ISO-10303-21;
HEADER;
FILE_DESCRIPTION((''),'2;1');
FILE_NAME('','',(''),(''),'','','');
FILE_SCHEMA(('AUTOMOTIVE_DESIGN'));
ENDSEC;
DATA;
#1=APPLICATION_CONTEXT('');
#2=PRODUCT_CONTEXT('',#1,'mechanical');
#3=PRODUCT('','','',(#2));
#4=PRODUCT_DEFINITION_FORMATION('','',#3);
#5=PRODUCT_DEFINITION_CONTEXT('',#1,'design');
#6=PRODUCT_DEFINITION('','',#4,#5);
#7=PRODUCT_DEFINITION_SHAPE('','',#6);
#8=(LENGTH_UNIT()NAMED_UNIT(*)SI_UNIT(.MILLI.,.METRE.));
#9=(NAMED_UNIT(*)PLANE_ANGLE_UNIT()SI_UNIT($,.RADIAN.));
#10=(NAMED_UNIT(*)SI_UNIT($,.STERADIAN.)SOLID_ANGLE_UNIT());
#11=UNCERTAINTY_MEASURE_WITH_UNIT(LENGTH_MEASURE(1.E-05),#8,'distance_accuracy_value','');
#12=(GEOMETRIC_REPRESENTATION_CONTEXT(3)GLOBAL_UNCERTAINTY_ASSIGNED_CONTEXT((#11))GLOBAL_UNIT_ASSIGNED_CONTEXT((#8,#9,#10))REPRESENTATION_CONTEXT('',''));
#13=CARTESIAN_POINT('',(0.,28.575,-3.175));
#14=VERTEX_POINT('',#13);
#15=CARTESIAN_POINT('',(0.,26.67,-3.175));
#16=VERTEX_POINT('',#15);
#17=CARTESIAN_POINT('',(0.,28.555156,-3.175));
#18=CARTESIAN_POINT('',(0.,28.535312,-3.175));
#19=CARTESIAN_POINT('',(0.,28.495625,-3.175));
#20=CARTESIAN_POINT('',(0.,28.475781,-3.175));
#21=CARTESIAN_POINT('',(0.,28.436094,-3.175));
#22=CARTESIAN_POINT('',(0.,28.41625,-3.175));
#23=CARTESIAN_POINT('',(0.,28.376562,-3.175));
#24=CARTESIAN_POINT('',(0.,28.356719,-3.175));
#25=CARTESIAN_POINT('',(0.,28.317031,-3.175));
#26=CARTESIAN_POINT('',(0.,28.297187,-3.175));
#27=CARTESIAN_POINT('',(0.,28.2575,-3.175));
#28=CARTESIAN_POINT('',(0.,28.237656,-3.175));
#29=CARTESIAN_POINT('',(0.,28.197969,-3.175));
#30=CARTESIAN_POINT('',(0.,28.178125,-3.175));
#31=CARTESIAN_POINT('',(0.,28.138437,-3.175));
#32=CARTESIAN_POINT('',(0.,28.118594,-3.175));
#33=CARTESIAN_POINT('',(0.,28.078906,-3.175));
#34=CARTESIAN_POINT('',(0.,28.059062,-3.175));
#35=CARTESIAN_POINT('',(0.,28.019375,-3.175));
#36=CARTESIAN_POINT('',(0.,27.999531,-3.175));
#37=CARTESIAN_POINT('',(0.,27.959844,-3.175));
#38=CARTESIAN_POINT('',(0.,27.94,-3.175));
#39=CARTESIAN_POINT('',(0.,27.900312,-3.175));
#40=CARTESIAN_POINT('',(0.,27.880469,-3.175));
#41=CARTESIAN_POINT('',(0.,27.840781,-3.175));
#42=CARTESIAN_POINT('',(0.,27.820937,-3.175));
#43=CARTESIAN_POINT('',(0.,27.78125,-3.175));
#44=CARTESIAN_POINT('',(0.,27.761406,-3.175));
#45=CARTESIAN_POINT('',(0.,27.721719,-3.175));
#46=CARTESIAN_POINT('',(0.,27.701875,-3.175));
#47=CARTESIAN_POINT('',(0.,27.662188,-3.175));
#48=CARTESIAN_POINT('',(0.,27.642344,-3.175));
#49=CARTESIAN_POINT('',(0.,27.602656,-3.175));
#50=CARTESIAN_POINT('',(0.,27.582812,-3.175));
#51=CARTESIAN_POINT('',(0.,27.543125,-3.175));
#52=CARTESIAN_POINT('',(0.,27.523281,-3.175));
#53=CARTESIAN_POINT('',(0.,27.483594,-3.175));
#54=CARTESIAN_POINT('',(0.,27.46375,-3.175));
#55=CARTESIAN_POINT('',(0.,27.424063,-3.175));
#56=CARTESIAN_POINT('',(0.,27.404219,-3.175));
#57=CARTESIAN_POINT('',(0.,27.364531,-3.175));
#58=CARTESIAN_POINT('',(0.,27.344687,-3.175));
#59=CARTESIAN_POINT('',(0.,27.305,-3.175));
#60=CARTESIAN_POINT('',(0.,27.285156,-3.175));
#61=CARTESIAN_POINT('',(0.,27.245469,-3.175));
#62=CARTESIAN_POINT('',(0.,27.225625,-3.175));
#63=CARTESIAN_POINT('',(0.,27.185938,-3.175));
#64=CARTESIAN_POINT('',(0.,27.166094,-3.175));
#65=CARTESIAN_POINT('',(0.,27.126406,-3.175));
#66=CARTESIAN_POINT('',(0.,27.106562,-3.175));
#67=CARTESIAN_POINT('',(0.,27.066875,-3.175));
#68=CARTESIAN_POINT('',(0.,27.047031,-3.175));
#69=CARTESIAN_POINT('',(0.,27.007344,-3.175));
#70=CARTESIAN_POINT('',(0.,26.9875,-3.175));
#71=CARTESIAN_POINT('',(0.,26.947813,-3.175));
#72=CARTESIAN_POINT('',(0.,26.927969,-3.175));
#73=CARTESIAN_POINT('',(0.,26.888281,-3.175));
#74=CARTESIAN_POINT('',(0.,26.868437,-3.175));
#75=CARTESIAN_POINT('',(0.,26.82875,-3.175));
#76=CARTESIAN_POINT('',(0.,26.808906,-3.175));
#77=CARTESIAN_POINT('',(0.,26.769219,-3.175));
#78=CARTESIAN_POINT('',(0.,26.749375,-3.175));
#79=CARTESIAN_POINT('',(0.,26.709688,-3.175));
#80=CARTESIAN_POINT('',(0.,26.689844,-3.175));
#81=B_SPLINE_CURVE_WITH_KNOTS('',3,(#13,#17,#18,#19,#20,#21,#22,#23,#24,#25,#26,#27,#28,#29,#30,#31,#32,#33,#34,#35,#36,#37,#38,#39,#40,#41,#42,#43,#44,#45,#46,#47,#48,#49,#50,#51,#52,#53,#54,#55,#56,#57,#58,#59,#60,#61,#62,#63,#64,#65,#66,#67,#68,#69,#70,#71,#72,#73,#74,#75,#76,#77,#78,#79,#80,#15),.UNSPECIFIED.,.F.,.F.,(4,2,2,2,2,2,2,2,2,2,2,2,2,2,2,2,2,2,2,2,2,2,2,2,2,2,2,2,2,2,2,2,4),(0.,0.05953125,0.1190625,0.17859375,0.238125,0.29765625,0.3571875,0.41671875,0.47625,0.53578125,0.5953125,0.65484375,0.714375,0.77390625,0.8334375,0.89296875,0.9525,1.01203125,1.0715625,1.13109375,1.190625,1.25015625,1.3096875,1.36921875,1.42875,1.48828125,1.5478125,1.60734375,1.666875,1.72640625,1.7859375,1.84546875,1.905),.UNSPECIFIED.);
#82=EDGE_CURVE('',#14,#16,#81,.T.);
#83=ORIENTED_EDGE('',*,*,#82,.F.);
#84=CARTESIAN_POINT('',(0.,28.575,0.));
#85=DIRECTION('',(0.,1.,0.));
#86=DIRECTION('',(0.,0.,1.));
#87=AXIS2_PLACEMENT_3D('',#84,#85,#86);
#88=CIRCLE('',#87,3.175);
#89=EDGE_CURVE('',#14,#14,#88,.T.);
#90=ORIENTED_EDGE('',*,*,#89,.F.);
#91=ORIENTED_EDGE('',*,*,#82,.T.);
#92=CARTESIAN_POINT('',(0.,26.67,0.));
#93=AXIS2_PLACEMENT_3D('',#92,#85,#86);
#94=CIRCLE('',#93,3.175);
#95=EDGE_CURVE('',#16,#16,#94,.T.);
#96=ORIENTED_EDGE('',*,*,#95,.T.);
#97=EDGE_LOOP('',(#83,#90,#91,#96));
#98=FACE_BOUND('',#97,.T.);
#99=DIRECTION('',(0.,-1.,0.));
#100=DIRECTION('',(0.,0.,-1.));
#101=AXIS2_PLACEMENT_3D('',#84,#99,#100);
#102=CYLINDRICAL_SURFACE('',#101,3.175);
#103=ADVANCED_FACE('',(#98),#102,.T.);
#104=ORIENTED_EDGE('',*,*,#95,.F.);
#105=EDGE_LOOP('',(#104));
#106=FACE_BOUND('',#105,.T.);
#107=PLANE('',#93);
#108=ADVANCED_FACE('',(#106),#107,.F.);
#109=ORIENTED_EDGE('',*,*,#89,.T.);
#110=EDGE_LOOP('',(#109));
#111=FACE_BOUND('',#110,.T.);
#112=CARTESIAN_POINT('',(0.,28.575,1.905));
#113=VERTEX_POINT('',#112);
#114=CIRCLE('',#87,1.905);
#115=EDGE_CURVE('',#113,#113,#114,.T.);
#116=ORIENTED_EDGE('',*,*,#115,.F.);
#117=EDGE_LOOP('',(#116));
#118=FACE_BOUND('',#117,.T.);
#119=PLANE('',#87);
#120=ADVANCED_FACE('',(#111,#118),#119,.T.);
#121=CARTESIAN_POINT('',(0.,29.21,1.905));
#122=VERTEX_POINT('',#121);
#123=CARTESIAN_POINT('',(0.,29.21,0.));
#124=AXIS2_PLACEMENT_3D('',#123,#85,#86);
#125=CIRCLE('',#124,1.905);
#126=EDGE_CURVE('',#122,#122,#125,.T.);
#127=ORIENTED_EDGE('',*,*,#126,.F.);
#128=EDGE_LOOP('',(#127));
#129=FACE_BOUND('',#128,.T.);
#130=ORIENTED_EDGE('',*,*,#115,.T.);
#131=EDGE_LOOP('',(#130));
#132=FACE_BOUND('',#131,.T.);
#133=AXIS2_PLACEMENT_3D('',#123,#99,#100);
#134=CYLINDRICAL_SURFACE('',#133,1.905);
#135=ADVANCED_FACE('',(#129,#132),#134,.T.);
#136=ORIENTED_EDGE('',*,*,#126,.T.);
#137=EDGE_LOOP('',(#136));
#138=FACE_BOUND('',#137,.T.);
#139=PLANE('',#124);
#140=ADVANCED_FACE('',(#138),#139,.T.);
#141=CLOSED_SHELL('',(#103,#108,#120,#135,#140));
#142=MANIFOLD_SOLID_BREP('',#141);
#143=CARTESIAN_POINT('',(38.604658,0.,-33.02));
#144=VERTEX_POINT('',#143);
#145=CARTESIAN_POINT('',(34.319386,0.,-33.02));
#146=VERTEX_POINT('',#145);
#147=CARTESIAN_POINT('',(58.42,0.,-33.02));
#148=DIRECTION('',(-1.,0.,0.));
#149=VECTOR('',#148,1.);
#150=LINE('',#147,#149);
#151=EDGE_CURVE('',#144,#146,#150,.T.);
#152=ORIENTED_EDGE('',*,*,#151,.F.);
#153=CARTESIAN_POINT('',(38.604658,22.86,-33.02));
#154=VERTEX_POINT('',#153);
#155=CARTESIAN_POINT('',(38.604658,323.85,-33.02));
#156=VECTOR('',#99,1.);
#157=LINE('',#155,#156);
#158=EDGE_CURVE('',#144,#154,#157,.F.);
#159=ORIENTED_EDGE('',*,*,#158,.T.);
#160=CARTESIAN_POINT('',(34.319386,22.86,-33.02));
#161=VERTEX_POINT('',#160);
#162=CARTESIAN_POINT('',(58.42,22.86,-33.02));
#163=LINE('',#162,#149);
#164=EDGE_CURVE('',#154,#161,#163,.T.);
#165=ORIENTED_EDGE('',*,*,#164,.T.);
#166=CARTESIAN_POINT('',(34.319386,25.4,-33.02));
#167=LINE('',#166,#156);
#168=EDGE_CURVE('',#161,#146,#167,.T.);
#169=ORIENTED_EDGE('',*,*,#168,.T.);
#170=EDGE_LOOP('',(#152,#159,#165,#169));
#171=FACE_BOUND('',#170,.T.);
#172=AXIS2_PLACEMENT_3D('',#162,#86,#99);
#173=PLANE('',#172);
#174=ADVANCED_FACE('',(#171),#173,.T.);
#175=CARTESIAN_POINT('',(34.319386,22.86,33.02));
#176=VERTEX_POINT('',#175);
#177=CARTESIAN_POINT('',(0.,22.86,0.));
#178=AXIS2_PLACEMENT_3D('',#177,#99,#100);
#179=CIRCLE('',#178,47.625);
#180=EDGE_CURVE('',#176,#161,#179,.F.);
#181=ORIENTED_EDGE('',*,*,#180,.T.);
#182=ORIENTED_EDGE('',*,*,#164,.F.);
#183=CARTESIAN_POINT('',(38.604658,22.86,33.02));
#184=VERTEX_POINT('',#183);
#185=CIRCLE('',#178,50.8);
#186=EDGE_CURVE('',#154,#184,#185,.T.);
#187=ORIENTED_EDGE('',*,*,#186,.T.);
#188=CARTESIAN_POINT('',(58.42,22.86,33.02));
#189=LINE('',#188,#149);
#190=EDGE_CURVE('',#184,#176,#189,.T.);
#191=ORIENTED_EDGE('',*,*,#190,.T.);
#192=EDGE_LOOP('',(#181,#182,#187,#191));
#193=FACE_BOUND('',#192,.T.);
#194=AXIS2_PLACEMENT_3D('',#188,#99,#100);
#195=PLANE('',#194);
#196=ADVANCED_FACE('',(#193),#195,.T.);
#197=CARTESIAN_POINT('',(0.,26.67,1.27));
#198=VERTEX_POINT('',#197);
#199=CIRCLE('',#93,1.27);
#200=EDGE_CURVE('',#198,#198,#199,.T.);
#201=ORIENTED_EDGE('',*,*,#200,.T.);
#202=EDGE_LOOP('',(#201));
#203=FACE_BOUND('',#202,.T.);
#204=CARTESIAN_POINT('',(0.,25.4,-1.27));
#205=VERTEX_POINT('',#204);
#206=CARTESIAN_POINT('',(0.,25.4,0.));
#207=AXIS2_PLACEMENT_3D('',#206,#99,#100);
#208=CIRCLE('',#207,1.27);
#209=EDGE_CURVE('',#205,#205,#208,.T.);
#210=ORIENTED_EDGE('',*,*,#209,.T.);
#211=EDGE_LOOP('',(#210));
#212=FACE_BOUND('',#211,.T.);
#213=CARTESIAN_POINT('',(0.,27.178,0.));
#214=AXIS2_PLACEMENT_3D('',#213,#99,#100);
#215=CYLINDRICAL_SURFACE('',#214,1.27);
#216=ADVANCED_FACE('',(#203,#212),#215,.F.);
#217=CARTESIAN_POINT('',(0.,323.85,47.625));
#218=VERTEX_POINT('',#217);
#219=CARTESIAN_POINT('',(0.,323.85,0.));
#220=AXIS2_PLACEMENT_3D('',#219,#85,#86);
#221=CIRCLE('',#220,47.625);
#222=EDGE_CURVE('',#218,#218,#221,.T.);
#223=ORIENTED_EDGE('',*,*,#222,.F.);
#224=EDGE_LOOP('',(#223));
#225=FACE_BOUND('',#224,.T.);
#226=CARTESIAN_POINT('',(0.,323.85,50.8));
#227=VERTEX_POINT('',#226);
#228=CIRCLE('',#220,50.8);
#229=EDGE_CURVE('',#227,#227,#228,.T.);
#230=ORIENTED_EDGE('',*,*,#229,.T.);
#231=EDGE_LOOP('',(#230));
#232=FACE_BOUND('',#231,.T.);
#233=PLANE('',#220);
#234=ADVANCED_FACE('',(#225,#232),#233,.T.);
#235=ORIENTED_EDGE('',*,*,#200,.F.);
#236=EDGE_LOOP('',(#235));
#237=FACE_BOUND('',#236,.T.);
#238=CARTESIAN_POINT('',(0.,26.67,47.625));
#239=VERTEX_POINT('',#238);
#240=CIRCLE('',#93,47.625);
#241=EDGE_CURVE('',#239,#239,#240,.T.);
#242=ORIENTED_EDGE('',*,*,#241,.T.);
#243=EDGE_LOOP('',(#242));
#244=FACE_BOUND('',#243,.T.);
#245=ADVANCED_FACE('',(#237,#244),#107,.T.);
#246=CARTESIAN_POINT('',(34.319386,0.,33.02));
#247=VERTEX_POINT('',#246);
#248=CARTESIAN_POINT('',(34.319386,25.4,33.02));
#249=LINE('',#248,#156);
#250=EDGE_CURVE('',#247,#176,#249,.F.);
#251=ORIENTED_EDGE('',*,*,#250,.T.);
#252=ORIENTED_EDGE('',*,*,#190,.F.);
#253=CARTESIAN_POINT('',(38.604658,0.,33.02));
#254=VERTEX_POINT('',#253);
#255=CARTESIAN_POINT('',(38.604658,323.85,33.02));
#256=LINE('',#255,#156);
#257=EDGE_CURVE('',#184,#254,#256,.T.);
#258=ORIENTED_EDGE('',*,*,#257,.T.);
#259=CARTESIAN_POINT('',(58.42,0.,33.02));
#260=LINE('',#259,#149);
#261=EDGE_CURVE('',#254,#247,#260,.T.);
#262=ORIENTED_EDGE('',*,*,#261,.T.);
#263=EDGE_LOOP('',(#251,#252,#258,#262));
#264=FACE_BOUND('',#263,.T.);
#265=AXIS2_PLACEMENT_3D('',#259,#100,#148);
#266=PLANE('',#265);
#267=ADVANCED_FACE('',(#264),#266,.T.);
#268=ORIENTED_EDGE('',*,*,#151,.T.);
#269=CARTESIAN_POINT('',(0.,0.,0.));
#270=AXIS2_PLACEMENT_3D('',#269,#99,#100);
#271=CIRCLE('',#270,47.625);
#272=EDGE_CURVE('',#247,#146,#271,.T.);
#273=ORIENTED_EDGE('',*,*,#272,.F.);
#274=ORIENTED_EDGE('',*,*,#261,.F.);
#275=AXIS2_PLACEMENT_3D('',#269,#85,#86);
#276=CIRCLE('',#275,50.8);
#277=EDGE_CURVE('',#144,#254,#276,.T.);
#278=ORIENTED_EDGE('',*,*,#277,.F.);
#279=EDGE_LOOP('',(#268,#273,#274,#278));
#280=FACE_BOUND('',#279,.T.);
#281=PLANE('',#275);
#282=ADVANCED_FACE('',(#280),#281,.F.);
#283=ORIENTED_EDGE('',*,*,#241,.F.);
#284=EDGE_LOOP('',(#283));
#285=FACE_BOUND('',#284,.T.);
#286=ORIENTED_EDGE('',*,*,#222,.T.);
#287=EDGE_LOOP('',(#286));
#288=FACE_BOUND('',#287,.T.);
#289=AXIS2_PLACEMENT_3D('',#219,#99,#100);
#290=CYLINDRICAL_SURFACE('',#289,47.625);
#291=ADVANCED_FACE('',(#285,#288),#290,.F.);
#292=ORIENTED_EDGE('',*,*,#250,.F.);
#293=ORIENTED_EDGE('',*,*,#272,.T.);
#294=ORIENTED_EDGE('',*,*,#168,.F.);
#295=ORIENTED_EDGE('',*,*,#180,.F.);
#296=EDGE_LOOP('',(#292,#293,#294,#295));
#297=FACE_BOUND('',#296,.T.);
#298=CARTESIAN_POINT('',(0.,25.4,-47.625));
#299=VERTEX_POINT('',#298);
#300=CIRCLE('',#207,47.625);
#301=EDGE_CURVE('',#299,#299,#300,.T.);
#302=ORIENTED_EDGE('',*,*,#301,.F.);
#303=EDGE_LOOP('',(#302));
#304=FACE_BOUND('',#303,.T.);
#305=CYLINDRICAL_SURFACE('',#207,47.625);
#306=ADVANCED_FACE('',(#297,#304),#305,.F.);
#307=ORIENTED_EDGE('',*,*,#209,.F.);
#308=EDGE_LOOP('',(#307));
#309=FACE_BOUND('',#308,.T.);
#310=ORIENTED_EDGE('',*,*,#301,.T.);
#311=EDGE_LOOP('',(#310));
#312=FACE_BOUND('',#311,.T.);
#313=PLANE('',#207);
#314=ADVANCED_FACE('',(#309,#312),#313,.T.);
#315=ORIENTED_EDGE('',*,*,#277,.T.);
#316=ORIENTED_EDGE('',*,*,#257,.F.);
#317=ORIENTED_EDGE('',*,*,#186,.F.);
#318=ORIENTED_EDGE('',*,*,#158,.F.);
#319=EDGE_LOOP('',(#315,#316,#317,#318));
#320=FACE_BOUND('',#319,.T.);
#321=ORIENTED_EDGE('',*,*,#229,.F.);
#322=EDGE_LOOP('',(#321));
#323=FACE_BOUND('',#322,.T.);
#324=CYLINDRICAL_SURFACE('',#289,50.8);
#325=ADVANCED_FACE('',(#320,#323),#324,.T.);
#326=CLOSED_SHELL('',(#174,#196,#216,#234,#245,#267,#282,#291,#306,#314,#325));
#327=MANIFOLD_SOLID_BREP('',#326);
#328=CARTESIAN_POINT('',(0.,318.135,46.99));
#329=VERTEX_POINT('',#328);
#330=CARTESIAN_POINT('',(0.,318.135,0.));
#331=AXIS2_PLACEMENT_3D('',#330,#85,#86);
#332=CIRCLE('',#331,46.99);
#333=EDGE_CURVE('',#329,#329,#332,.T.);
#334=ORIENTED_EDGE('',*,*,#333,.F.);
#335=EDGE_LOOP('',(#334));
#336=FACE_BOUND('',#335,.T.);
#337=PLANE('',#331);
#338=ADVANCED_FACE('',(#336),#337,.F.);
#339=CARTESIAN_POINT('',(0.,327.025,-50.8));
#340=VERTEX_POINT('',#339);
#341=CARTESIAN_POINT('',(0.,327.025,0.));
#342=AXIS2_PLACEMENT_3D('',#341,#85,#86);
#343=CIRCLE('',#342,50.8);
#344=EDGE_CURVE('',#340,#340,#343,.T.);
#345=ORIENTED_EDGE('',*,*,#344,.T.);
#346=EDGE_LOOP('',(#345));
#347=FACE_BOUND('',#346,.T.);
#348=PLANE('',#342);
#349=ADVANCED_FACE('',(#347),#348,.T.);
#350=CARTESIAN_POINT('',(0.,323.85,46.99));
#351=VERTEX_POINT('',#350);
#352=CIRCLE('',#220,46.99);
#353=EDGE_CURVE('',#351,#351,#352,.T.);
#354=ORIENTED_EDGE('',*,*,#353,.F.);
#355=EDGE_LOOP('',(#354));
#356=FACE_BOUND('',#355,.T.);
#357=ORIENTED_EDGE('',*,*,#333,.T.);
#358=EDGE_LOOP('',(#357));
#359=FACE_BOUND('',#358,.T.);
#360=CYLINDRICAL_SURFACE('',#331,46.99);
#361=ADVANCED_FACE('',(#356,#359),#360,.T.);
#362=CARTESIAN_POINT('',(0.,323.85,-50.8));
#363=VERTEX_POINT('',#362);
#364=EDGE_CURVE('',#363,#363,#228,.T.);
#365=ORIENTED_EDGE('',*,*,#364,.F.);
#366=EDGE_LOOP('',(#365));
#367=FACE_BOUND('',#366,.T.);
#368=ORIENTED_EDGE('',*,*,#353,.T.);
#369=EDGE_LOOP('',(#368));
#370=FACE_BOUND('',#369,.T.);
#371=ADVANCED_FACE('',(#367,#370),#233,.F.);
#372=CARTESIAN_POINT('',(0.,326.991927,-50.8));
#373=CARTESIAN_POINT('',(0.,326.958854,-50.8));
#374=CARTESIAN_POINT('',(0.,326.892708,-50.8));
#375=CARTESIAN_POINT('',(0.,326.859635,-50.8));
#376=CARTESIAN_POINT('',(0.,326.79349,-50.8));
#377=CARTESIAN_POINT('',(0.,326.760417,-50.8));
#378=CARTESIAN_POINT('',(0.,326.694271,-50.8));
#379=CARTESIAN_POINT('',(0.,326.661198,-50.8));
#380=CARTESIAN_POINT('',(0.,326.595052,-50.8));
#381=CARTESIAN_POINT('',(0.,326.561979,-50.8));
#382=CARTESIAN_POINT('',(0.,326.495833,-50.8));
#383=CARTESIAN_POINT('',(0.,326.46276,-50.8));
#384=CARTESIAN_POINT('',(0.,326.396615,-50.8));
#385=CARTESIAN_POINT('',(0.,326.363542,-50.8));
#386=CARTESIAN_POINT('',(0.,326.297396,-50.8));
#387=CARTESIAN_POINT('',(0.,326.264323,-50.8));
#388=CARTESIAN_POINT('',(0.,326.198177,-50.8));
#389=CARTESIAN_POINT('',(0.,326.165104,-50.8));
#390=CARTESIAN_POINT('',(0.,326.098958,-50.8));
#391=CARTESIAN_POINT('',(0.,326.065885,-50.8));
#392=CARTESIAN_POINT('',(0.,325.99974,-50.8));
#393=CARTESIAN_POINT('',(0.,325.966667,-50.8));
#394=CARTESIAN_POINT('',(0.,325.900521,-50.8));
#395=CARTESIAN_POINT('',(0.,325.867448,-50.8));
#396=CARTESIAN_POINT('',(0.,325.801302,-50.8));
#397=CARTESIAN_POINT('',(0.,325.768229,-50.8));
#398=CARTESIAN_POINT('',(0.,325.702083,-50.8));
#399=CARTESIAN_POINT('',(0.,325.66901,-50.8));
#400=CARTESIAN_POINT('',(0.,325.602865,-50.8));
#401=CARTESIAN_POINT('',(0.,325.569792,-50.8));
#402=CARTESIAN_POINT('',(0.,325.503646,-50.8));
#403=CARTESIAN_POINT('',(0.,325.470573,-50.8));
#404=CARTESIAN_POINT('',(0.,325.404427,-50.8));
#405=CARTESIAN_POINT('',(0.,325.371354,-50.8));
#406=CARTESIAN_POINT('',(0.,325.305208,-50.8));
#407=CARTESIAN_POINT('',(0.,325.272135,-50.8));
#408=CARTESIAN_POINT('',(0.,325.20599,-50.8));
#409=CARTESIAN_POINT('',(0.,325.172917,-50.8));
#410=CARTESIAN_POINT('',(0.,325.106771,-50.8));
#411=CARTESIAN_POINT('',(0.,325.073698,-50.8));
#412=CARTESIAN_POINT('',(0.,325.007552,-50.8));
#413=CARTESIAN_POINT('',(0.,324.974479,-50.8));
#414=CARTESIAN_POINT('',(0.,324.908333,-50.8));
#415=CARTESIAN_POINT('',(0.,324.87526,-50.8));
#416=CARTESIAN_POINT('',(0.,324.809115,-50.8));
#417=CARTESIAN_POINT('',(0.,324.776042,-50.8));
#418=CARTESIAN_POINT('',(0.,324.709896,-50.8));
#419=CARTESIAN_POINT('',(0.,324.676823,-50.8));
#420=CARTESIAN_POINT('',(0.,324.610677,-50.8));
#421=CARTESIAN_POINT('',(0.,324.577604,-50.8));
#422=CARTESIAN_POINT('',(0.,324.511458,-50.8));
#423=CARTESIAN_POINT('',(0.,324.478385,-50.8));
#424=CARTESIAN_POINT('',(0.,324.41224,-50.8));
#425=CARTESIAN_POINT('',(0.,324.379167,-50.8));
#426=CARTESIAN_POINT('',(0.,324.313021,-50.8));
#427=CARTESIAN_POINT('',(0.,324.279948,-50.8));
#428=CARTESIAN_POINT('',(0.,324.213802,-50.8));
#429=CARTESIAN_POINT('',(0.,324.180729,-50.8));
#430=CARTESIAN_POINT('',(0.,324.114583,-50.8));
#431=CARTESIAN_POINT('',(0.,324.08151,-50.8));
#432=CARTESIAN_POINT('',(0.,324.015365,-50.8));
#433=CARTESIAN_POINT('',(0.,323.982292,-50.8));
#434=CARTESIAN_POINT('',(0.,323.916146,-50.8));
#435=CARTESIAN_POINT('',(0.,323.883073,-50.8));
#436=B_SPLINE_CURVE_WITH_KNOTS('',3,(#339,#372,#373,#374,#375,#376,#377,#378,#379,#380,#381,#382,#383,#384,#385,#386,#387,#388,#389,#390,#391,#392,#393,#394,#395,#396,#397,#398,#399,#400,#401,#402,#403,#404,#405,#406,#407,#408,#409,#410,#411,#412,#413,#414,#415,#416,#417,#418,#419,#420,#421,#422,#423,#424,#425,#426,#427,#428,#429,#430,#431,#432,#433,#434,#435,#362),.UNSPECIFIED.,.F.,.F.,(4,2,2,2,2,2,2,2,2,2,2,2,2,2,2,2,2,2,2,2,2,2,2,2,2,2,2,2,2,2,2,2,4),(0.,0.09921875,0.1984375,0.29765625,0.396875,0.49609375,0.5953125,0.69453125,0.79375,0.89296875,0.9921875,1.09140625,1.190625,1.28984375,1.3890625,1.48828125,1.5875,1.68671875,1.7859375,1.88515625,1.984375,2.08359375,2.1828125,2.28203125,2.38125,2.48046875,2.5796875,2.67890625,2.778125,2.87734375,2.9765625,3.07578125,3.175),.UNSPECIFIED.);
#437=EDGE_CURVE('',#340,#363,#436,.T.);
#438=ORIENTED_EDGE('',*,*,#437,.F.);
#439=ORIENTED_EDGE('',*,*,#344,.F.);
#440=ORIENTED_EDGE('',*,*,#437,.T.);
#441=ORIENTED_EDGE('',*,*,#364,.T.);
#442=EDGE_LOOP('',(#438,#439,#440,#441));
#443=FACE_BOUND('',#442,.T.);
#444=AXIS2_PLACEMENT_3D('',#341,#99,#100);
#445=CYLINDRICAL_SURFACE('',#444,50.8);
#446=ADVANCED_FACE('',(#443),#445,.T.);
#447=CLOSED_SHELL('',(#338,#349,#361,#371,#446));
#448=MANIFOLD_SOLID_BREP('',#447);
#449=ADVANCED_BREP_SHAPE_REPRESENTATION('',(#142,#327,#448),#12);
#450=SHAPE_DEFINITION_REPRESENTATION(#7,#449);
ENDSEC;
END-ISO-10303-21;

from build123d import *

# Parameters (mm, degrees)
SKETCH1_R                = 50.8
BASE_DEPTH               = 323.85
SKETCH3_R                = 47.625
BOTTOM_CUT_DEPTH         = 25.4
SKETCH4_W                = 66.04
SKETCH4_H                = 22.86
BOTTOM_SIDE_DEPTH        = 58.42
SKETCH5_R                = 47.625
INSIDE_CUT_DEPTH         = 306.740465755
SKETCH6_R                = 3.175
RED_ON_BOTTOM_DEPTH      = 1.905
SKETCH7_R                = 1.905
BLACK_ON_RED_DEPTH       = 0.635
SKETCH8_R                = 46.99
CAP_TOP_DEPTH            = 5.715
SKETCH9_R                = 50.8
CAP_BOTTOM_PORTION_DEPTH = 3.175
SKETCH11_R               = 1.27
CONNECTION_CUT_DEPTH     = 1.778


with BuildPart() as part:
    # Sketch1 → Base (new body)
    with BuildSketch(Plane(origin=(0, 0, 0), x_dir=(1, 0, 0), z_dir=(0, 1, 0))):
        with Locations(Location((0, 0, 0), (0, 0, 270))):
            Circle(SKETCH1_R)
    extrude(amount=BASE_DEPTH)

    # Sketch3 → Bottom Cut (cut)
    with BuildSketch(Plane(origin=(0, 0, 0), x_dir=(-1, 0, 0), z_dir=(0, -1, 0))):
        with Locations(Location((0, 0, 0), (0, 0, 90))):
            Circle(SKETCH3_R)
    extrude(amount=-BOTTOM_CUT_DEPTH, mode=Mode.SUBTRACT)

    # Sketch4 → Bottom Side (cut)
    with BuildSketch(Plane(origin=(0, 0, 0), x_dir=(0, 0, -1), z_dir=(1, 0, 0))):
        with Locations((0, 11.43)):
            Rectangle(SKETCH4_W, SKETCH4_H)
    extrude(amount=BOTTOM_SIDE_DEPTH, mode=Mode.SUBTRACT)

    # Sketch5 → Inside Cut (cut, through all)
    with BuildSketch(Plane(origin=(0, 26.67, 0), x_dir=(1, 0, 0), z_dir=(0, 1, 0))):
        with Locations(Location((0, 0, 0), (0, 0, 90))):
            Circle(SKETCH5_R)
    extrude(amount=INSIDE_CUT_DEPTH, mode=Mode.SUBTRACT)

    # Sketch11 → Connection cut (cut)
    with BuildSketch(Plane.XZ.offset(-25.4)):
        with Locations(Location((0, 0, 0), (0, 0, 270))):
            Circle(SKETCH11_R)
    extrude(amount=-CONNECTION_CUT_DEPTH, mode=Mode.SUBTRACT)


with BuildPart() as body_2:
    # Sketch6 → Red on bottom (new body)
    with BuildSketch(Plane(origin=(0, 26.67, 0), x_dir=(1, 0, 0), z_dir=(0, 1, 0))):
        with Locations(Location((0, 0, 0), (0, 0, 90))):
            Circle(SKETCH6_R)
    extrude(amount=RED_ON_BOTTOM_DEPTH)


with BuildPart() as body_3:
    # Sketch7 → Black on red (new body)
    with BuildSketch(Plane(origin=(0, 28.575, 0), x_dir=(1, 0, 0), z_dir=(0, 1, 0))):
        with Locations(Location((0, 0, 0), (0, 0, 270))):
            Circle(SKETCH7_R)
    extrude(amount=BLACK_ON_RED_DEPTH)


with BuildPart() as body_4:
    # Sketch8 → Cap top (new body)
    with BuildSketch(Plane(origin=(0, 323.85, 0), x_dir=(1, 0, 0), z_dir=(0, 1, 0))):
        with Locations(Location((0, 0, 0), (0, 0, 270))):
            Circle(SKETCH8_R)
    extrude(amount=-CAP_TOP_DEPTH)


with BuildPart() as body_5:
    # Sketch9 → cap bottom portion (new body)
    with BuildSketch(Plane(origin=(0, 323.85, 0), x_dir=(1, 0, 0), z_dir=(0, 1, 0))):
        with Locations(Location((0, 0, 0), (0, 0, 40.541601874))):
            Circle(SKETCH9_R)
    extrude(amount=CAP_BOTTOM_PORTION_DEPTH)


with BuildPart() as body_4_1:
    add(body_4.part)

    # Cap Body: union body 5
    add(body_5.part)


with BuildPart() as body_2_1:
    add(body_2.part)

    # Connector Body: union body 3
    add(body_3.part)


solid = Compound([part.part, body_4_1.part, body_2_1.part])
